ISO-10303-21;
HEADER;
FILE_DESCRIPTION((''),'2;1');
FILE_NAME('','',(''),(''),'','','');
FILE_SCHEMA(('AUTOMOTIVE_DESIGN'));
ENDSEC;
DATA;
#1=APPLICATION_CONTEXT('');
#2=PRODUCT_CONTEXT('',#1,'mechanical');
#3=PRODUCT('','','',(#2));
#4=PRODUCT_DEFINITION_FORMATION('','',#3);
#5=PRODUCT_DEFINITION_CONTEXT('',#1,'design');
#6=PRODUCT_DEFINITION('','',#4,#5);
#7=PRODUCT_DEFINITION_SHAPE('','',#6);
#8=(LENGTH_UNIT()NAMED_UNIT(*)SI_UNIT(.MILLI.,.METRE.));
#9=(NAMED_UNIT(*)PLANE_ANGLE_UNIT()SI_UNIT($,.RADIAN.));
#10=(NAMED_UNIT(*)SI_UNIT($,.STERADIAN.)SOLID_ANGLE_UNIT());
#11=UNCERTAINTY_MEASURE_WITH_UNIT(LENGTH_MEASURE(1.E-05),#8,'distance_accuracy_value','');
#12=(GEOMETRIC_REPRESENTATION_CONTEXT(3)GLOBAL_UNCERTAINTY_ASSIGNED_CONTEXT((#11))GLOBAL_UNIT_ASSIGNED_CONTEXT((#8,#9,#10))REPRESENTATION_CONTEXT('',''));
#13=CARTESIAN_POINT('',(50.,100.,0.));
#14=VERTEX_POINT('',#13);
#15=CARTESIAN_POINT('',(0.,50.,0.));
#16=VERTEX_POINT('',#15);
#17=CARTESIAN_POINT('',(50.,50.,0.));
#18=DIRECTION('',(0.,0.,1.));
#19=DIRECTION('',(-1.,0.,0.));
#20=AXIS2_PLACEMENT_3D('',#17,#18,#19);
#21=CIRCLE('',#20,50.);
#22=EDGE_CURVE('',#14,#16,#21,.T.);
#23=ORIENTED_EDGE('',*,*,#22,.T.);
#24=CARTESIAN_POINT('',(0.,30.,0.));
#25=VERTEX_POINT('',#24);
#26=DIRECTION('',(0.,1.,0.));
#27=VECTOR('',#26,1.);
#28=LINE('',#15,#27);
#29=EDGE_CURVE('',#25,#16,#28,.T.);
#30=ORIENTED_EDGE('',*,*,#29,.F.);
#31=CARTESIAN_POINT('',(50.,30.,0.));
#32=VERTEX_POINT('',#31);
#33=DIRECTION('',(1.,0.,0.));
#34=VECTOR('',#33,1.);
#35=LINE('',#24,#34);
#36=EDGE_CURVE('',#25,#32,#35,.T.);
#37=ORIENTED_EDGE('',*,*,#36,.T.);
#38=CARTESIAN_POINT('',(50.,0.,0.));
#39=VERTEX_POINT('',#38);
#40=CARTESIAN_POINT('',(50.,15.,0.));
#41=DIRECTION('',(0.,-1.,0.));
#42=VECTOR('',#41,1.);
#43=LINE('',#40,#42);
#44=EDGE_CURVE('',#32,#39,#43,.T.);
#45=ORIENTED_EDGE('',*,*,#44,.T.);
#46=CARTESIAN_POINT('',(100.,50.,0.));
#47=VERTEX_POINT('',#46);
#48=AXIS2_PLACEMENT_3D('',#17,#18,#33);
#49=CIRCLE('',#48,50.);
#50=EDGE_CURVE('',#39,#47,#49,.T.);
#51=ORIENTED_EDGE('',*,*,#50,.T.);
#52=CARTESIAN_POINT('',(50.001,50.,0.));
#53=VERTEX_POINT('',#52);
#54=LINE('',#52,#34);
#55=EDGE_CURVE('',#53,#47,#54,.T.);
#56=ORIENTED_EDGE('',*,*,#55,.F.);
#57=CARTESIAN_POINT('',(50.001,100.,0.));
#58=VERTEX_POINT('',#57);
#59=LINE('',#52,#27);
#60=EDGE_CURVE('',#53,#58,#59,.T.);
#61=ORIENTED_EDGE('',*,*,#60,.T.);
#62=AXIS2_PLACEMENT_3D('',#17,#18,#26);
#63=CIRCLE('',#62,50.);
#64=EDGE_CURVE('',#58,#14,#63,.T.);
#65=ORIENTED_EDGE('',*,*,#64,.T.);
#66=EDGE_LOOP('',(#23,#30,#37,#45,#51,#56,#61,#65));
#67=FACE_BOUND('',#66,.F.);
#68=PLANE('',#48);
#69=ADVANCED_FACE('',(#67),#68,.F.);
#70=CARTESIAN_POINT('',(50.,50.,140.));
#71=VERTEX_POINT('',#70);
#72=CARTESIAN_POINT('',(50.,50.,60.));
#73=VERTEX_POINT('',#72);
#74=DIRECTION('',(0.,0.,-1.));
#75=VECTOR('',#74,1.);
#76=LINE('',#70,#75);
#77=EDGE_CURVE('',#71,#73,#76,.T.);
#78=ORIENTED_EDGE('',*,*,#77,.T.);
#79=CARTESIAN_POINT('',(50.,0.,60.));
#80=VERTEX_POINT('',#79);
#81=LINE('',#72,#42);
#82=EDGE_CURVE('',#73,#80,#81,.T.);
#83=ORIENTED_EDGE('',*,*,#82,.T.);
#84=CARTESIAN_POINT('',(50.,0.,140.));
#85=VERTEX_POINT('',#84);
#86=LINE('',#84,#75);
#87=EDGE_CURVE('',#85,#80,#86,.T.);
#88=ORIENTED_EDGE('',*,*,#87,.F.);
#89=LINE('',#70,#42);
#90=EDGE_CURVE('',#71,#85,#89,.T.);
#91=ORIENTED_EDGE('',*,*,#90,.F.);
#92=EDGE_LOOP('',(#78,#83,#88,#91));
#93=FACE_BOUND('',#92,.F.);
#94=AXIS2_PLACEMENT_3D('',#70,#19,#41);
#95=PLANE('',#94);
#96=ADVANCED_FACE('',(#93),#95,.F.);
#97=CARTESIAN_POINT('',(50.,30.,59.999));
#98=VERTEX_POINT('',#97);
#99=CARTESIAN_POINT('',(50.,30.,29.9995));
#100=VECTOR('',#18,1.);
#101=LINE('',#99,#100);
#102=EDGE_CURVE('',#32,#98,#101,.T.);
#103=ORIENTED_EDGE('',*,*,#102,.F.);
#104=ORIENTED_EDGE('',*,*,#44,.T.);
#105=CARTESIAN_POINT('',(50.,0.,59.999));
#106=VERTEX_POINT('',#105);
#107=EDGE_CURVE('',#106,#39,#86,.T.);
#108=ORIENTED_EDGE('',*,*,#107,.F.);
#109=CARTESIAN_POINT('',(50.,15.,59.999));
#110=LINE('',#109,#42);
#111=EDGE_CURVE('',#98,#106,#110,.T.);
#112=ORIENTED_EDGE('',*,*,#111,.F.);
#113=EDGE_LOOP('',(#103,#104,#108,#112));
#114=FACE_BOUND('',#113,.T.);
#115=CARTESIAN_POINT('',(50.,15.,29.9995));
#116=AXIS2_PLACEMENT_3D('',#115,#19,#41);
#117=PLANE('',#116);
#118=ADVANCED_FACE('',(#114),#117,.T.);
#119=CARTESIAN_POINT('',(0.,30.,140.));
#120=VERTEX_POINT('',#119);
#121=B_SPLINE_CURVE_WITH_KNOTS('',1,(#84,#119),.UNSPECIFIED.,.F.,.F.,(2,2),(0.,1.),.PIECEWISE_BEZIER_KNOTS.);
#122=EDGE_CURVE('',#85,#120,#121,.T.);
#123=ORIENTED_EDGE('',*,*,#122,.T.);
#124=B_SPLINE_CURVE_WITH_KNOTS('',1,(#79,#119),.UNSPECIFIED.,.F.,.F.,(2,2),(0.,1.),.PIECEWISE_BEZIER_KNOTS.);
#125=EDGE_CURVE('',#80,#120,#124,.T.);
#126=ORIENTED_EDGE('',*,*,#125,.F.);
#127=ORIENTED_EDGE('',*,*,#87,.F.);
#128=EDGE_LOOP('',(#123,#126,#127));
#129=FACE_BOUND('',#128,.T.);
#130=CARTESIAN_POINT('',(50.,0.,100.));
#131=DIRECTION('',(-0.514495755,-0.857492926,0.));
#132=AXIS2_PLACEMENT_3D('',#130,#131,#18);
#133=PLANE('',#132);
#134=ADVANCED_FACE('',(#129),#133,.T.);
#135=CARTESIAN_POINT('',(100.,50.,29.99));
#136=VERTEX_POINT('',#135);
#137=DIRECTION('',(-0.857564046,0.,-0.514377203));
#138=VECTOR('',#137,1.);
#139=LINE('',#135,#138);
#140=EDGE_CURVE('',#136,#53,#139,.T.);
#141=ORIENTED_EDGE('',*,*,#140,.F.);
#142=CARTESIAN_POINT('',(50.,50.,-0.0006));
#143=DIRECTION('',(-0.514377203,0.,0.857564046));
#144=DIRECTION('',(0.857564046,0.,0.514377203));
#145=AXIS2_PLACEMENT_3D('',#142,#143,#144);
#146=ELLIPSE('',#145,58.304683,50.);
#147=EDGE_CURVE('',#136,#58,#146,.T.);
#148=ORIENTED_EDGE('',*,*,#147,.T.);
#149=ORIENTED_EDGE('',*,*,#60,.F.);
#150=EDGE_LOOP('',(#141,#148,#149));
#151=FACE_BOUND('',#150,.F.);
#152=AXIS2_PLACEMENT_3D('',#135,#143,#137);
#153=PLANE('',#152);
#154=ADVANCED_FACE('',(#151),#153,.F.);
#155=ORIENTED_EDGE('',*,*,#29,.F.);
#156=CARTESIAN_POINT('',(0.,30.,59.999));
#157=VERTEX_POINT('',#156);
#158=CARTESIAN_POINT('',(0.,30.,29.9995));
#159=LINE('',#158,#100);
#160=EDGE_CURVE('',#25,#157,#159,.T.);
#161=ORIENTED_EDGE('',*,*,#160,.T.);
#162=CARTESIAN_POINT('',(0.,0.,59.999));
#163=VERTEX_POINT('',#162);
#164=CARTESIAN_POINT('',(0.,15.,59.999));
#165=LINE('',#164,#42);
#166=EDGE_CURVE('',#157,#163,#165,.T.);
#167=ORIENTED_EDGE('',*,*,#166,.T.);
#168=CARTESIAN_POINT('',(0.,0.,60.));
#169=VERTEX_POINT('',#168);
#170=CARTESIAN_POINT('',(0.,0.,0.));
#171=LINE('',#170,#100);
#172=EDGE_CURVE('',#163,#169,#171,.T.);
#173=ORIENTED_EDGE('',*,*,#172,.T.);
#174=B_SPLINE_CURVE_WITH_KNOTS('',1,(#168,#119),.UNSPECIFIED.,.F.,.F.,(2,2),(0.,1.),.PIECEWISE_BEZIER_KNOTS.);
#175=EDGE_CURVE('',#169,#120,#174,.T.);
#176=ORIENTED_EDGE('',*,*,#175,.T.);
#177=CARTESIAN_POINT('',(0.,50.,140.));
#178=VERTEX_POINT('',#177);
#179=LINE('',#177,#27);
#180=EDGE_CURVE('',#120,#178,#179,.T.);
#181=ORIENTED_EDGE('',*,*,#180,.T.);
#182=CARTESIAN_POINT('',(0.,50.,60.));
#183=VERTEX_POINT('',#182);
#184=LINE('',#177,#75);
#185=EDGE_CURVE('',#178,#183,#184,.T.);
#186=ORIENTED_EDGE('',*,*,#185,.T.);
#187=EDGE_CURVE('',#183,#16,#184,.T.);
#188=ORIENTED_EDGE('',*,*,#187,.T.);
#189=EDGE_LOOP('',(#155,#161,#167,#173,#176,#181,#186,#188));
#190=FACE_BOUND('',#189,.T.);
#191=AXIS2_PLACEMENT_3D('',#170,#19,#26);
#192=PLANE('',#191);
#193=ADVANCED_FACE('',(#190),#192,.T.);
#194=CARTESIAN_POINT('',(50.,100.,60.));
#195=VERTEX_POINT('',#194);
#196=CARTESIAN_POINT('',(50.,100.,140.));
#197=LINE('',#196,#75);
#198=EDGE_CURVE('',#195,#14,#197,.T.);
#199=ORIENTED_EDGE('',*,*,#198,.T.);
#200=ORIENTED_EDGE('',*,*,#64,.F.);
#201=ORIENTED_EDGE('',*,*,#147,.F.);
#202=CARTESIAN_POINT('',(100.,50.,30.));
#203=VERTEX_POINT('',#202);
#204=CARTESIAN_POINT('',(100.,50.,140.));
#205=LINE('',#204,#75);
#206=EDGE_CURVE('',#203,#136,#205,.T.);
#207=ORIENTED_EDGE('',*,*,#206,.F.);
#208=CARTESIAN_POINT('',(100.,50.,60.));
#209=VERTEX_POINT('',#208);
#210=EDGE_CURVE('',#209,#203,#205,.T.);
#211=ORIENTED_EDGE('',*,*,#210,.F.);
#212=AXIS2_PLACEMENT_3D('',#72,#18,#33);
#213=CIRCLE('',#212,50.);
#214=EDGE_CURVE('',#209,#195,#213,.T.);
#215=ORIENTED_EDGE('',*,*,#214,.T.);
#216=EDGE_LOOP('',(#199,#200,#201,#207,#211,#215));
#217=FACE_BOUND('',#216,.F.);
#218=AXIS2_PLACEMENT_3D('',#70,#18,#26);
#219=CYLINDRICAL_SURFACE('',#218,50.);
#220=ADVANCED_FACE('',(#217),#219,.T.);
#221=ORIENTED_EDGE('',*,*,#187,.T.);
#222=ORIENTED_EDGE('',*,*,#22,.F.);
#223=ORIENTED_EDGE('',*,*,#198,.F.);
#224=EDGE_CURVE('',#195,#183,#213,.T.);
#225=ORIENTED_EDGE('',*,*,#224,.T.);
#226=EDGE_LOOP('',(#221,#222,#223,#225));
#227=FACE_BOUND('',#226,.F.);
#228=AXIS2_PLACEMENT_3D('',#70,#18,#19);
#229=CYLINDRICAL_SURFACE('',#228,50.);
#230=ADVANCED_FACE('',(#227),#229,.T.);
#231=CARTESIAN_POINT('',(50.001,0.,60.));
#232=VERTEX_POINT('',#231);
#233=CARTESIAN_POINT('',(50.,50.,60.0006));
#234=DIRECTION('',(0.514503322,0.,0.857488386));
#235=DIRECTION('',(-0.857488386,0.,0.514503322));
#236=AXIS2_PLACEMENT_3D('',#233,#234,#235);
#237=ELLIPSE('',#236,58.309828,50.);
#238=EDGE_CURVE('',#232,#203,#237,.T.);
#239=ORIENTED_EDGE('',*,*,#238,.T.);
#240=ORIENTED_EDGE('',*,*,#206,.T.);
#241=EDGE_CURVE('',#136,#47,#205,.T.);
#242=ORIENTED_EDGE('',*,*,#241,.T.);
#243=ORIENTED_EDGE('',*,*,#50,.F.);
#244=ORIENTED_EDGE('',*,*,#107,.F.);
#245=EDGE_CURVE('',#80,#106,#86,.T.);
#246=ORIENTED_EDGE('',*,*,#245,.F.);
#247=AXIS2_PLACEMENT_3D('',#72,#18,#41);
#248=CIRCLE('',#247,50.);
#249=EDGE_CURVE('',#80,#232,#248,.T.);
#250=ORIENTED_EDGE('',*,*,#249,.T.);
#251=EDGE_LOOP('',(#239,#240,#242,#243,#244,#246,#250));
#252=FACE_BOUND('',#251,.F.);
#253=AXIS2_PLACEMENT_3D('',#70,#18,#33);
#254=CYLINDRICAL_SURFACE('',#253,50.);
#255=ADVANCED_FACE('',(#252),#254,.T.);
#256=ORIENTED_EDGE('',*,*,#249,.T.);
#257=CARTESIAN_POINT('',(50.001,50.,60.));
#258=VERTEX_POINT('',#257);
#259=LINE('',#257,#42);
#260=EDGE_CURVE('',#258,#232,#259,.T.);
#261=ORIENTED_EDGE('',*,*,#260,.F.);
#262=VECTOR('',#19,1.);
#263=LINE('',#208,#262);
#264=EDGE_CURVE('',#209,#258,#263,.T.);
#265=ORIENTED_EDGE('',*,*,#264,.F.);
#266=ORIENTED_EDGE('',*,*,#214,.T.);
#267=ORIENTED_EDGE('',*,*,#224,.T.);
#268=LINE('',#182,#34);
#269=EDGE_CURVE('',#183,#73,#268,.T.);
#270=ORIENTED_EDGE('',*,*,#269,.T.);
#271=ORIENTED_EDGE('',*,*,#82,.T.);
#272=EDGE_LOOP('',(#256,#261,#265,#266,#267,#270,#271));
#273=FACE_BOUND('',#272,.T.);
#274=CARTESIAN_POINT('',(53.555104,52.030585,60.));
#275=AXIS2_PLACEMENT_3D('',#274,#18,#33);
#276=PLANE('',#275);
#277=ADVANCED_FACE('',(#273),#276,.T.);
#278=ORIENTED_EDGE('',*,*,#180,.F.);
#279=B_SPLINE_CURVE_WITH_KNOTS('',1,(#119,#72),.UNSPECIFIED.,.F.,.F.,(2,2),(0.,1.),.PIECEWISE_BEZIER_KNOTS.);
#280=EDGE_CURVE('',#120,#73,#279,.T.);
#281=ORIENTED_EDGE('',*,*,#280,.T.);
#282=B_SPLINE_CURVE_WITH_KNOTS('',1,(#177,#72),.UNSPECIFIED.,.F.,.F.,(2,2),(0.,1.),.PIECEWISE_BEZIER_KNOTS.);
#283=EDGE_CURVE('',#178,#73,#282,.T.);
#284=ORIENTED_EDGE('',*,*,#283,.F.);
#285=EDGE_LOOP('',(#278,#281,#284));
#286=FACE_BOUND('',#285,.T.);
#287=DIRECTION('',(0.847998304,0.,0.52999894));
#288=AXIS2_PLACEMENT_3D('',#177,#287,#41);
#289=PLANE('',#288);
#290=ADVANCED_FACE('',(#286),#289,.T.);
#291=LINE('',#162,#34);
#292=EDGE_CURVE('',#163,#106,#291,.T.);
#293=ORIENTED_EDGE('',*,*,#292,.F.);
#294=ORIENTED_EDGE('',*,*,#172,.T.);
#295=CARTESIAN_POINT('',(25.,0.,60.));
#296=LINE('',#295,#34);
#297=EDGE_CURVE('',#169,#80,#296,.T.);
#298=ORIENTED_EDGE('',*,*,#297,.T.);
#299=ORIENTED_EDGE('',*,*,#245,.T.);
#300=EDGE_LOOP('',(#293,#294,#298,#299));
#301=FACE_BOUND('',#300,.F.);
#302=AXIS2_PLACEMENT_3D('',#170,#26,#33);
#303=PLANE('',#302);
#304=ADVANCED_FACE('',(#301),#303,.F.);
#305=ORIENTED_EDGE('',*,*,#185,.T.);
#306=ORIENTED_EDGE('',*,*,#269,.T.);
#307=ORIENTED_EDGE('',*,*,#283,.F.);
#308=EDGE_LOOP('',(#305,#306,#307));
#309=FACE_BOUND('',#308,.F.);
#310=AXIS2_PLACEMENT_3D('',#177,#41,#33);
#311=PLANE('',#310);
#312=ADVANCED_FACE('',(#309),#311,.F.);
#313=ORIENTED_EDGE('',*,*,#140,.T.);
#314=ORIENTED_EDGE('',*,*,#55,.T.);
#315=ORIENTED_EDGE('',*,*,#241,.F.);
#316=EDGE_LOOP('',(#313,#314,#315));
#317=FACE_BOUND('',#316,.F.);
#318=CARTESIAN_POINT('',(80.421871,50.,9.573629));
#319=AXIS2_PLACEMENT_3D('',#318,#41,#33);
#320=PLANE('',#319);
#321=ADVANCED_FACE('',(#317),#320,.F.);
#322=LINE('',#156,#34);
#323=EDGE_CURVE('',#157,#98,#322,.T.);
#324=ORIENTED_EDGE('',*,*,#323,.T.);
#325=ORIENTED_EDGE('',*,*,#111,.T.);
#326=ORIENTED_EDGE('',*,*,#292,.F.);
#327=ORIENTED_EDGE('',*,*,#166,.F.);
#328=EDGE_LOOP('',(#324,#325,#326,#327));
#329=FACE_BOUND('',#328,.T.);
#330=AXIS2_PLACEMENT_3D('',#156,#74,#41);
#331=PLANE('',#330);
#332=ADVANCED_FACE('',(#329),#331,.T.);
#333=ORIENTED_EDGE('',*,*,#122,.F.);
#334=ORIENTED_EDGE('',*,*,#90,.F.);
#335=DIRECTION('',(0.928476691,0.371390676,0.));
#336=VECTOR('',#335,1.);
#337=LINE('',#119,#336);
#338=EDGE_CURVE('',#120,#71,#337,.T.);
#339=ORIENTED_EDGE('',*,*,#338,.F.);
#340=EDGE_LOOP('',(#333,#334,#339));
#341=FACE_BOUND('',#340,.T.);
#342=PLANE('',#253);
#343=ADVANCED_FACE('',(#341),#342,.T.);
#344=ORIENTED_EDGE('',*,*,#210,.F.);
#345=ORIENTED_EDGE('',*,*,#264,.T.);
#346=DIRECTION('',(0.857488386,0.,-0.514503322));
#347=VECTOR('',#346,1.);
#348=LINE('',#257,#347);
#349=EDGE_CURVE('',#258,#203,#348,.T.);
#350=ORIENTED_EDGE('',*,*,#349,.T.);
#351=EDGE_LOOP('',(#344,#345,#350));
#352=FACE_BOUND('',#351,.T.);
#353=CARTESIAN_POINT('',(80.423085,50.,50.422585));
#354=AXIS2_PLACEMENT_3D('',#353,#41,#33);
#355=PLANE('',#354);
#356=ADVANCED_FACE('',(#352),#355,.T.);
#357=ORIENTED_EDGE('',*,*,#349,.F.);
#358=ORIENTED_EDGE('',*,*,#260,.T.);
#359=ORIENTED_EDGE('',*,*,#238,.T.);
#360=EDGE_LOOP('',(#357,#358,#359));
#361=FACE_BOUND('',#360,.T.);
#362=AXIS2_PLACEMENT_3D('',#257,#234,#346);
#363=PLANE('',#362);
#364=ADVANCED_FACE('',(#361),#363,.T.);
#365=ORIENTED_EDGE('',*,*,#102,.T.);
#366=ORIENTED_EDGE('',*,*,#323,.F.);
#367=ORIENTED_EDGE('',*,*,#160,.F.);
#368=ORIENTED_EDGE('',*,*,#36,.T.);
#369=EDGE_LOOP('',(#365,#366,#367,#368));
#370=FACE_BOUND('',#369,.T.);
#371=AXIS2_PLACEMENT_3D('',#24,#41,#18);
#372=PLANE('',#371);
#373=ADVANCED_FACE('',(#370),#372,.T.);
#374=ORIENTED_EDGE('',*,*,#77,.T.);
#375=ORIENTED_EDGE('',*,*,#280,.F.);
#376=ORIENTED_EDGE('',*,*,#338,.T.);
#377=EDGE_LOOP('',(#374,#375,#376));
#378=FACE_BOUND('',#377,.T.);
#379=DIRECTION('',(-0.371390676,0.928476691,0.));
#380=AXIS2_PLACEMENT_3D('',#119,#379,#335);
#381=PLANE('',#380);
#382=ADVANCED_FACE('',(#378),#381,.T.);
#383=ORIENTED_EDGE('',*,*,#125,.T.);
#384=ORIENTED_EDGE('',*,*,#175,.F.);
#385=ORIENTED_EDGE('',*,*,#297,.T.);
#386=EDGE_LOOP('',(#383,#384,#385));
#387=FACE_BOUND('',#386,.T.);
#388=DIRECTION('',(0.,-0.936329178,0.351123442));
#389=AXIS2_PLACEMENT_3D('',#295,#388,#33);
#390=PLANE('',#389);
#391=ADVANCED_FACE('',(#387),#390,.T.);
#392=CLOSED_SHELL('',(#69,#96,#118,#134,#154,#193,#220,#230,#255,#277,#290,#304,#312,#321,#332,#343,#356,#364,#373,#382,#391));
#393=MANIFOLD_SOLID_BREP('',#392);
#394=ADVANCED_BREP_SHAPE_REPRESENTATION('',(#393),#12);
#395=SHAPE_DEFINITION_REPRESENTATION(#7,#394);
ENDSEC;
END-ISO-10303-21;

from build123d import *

# Parameters (mm, degrees)
F0_W      = 100
F0_H      = 100
F1_DEPTH  = 140
F3_DEPTH  = 140.001
F5_DEPTH  = 80
F7_W      = 50
F7_H      = 80
F13_DEPTH = 50.00099999
F15_DEPTH = 50.00099999
F16_W     = 30
F16_H     = 59.999
F17_DEPTH = 50


with BuildPart() as f1:
    # F0 (on Top) → F1 (new body)
    with BuildSketch(Plane.XY):
        with Locations((50, 50)):
            Rectangle(F0_W, F0_H)
    extrude(amount=F1_DEPTH)

    # F2 (on face) → F3 (cut, through all)
    with BuildSketch(Plane.XY.offset(140)):
        with BuildLine():
            ThreePointArc((0, 50), (14.6446609407, 85.3553390593), (50, 100))
            Line((50, 100), (0, 100))
            Line((0, 100), (0, 50))
        make_face()
        with BuildLine():
            ThreePointArc((50, 100), (85.3553390593, 85.3553390593), (100, 50))
            Line((100, 50), (100, 100))
            Line((100, 100), (50, 100))
        make_face()
        with BuildLine():
            Line((100, 0), (100, 50))
            ThreePointArc((100, 50), (85.3553390593, 14.6446609407), (50, 0))
            Line((50, 0), (100, 0))
        make_face()
    extrude(amount=-F3_DEPTH, mode=Mode.SUBTRACT)

    # F4 (on face) → F5 (cut)
    with BuildSketch(Plane.XY.offset(140)):
        with BuildLine():
            Line((50, 50), (50, 0))
            ThreePointArc((50, 0), (85.3553390593, 14.6446609407), (100, 50))
            ThreePointArc((100, 50), (50, 100), (0, 50))
            Line((0, 50), (50, 50))
        make_face()
    extrude(amount=-F5_DEPTH, mode=Mode.SUBTRACT)

    # F7 (on face) → F9 section 0
    with BuildSketch(Plane.XZ, mode=Mode.PRIVATE) as f9_s0:
        with Locations((25, 100)):
            Rectangle(F7_W, F7_H)
    loft([f9_s0.sketch, Vertex(0, 30, 140)], mode=Mode.SUBTRACT)

    # F6 (on face) → F10 section 0
    with BuildSketch(Plane.XY.offset(140), mode=Mode.PRIVATE) as f10_s0:
        Polygon((0, 30), (50, 50), (0, 50), align=None)
    loft([f10_s0.sketch, Vertex(50, 50, 60)], mode=Mode.SUBTRACT)

    # F12 (on 3pt) → F13 (cut, through all)
    with BuildSketch(Plane.XZ.offset(-50)):
        Polygon((100, 60), (50.001, 60), (100, 30), align=None)
    extrude(amount=F13_DEPTH, mode=Mode.SUBTRACT)

    # F14 (on 3pt) → F15 (cut, through all)
    with BuildSketch(Plane.XZ.offset(-50)):
        Polygon((100, 0), (100, 29.99), (50.001, 0), align=None)
    extrude(amount=-F15_DEPTH, mode=Mode.SUBTRACT)

    # F16 (on face) → F17 (cut)
    with BuildSketch(Plane(origin=(0, 0, 0), x_dir=(0, -1, 0), z_dir=(-1, 0, 0))):
        with Locations((-15, 29.9995)):
            Rectangle(F16_W, F16_H)
    extrude(amount=-F17_DEPTH, mode=Mode.SUBTRACT)


solid = f1.part
